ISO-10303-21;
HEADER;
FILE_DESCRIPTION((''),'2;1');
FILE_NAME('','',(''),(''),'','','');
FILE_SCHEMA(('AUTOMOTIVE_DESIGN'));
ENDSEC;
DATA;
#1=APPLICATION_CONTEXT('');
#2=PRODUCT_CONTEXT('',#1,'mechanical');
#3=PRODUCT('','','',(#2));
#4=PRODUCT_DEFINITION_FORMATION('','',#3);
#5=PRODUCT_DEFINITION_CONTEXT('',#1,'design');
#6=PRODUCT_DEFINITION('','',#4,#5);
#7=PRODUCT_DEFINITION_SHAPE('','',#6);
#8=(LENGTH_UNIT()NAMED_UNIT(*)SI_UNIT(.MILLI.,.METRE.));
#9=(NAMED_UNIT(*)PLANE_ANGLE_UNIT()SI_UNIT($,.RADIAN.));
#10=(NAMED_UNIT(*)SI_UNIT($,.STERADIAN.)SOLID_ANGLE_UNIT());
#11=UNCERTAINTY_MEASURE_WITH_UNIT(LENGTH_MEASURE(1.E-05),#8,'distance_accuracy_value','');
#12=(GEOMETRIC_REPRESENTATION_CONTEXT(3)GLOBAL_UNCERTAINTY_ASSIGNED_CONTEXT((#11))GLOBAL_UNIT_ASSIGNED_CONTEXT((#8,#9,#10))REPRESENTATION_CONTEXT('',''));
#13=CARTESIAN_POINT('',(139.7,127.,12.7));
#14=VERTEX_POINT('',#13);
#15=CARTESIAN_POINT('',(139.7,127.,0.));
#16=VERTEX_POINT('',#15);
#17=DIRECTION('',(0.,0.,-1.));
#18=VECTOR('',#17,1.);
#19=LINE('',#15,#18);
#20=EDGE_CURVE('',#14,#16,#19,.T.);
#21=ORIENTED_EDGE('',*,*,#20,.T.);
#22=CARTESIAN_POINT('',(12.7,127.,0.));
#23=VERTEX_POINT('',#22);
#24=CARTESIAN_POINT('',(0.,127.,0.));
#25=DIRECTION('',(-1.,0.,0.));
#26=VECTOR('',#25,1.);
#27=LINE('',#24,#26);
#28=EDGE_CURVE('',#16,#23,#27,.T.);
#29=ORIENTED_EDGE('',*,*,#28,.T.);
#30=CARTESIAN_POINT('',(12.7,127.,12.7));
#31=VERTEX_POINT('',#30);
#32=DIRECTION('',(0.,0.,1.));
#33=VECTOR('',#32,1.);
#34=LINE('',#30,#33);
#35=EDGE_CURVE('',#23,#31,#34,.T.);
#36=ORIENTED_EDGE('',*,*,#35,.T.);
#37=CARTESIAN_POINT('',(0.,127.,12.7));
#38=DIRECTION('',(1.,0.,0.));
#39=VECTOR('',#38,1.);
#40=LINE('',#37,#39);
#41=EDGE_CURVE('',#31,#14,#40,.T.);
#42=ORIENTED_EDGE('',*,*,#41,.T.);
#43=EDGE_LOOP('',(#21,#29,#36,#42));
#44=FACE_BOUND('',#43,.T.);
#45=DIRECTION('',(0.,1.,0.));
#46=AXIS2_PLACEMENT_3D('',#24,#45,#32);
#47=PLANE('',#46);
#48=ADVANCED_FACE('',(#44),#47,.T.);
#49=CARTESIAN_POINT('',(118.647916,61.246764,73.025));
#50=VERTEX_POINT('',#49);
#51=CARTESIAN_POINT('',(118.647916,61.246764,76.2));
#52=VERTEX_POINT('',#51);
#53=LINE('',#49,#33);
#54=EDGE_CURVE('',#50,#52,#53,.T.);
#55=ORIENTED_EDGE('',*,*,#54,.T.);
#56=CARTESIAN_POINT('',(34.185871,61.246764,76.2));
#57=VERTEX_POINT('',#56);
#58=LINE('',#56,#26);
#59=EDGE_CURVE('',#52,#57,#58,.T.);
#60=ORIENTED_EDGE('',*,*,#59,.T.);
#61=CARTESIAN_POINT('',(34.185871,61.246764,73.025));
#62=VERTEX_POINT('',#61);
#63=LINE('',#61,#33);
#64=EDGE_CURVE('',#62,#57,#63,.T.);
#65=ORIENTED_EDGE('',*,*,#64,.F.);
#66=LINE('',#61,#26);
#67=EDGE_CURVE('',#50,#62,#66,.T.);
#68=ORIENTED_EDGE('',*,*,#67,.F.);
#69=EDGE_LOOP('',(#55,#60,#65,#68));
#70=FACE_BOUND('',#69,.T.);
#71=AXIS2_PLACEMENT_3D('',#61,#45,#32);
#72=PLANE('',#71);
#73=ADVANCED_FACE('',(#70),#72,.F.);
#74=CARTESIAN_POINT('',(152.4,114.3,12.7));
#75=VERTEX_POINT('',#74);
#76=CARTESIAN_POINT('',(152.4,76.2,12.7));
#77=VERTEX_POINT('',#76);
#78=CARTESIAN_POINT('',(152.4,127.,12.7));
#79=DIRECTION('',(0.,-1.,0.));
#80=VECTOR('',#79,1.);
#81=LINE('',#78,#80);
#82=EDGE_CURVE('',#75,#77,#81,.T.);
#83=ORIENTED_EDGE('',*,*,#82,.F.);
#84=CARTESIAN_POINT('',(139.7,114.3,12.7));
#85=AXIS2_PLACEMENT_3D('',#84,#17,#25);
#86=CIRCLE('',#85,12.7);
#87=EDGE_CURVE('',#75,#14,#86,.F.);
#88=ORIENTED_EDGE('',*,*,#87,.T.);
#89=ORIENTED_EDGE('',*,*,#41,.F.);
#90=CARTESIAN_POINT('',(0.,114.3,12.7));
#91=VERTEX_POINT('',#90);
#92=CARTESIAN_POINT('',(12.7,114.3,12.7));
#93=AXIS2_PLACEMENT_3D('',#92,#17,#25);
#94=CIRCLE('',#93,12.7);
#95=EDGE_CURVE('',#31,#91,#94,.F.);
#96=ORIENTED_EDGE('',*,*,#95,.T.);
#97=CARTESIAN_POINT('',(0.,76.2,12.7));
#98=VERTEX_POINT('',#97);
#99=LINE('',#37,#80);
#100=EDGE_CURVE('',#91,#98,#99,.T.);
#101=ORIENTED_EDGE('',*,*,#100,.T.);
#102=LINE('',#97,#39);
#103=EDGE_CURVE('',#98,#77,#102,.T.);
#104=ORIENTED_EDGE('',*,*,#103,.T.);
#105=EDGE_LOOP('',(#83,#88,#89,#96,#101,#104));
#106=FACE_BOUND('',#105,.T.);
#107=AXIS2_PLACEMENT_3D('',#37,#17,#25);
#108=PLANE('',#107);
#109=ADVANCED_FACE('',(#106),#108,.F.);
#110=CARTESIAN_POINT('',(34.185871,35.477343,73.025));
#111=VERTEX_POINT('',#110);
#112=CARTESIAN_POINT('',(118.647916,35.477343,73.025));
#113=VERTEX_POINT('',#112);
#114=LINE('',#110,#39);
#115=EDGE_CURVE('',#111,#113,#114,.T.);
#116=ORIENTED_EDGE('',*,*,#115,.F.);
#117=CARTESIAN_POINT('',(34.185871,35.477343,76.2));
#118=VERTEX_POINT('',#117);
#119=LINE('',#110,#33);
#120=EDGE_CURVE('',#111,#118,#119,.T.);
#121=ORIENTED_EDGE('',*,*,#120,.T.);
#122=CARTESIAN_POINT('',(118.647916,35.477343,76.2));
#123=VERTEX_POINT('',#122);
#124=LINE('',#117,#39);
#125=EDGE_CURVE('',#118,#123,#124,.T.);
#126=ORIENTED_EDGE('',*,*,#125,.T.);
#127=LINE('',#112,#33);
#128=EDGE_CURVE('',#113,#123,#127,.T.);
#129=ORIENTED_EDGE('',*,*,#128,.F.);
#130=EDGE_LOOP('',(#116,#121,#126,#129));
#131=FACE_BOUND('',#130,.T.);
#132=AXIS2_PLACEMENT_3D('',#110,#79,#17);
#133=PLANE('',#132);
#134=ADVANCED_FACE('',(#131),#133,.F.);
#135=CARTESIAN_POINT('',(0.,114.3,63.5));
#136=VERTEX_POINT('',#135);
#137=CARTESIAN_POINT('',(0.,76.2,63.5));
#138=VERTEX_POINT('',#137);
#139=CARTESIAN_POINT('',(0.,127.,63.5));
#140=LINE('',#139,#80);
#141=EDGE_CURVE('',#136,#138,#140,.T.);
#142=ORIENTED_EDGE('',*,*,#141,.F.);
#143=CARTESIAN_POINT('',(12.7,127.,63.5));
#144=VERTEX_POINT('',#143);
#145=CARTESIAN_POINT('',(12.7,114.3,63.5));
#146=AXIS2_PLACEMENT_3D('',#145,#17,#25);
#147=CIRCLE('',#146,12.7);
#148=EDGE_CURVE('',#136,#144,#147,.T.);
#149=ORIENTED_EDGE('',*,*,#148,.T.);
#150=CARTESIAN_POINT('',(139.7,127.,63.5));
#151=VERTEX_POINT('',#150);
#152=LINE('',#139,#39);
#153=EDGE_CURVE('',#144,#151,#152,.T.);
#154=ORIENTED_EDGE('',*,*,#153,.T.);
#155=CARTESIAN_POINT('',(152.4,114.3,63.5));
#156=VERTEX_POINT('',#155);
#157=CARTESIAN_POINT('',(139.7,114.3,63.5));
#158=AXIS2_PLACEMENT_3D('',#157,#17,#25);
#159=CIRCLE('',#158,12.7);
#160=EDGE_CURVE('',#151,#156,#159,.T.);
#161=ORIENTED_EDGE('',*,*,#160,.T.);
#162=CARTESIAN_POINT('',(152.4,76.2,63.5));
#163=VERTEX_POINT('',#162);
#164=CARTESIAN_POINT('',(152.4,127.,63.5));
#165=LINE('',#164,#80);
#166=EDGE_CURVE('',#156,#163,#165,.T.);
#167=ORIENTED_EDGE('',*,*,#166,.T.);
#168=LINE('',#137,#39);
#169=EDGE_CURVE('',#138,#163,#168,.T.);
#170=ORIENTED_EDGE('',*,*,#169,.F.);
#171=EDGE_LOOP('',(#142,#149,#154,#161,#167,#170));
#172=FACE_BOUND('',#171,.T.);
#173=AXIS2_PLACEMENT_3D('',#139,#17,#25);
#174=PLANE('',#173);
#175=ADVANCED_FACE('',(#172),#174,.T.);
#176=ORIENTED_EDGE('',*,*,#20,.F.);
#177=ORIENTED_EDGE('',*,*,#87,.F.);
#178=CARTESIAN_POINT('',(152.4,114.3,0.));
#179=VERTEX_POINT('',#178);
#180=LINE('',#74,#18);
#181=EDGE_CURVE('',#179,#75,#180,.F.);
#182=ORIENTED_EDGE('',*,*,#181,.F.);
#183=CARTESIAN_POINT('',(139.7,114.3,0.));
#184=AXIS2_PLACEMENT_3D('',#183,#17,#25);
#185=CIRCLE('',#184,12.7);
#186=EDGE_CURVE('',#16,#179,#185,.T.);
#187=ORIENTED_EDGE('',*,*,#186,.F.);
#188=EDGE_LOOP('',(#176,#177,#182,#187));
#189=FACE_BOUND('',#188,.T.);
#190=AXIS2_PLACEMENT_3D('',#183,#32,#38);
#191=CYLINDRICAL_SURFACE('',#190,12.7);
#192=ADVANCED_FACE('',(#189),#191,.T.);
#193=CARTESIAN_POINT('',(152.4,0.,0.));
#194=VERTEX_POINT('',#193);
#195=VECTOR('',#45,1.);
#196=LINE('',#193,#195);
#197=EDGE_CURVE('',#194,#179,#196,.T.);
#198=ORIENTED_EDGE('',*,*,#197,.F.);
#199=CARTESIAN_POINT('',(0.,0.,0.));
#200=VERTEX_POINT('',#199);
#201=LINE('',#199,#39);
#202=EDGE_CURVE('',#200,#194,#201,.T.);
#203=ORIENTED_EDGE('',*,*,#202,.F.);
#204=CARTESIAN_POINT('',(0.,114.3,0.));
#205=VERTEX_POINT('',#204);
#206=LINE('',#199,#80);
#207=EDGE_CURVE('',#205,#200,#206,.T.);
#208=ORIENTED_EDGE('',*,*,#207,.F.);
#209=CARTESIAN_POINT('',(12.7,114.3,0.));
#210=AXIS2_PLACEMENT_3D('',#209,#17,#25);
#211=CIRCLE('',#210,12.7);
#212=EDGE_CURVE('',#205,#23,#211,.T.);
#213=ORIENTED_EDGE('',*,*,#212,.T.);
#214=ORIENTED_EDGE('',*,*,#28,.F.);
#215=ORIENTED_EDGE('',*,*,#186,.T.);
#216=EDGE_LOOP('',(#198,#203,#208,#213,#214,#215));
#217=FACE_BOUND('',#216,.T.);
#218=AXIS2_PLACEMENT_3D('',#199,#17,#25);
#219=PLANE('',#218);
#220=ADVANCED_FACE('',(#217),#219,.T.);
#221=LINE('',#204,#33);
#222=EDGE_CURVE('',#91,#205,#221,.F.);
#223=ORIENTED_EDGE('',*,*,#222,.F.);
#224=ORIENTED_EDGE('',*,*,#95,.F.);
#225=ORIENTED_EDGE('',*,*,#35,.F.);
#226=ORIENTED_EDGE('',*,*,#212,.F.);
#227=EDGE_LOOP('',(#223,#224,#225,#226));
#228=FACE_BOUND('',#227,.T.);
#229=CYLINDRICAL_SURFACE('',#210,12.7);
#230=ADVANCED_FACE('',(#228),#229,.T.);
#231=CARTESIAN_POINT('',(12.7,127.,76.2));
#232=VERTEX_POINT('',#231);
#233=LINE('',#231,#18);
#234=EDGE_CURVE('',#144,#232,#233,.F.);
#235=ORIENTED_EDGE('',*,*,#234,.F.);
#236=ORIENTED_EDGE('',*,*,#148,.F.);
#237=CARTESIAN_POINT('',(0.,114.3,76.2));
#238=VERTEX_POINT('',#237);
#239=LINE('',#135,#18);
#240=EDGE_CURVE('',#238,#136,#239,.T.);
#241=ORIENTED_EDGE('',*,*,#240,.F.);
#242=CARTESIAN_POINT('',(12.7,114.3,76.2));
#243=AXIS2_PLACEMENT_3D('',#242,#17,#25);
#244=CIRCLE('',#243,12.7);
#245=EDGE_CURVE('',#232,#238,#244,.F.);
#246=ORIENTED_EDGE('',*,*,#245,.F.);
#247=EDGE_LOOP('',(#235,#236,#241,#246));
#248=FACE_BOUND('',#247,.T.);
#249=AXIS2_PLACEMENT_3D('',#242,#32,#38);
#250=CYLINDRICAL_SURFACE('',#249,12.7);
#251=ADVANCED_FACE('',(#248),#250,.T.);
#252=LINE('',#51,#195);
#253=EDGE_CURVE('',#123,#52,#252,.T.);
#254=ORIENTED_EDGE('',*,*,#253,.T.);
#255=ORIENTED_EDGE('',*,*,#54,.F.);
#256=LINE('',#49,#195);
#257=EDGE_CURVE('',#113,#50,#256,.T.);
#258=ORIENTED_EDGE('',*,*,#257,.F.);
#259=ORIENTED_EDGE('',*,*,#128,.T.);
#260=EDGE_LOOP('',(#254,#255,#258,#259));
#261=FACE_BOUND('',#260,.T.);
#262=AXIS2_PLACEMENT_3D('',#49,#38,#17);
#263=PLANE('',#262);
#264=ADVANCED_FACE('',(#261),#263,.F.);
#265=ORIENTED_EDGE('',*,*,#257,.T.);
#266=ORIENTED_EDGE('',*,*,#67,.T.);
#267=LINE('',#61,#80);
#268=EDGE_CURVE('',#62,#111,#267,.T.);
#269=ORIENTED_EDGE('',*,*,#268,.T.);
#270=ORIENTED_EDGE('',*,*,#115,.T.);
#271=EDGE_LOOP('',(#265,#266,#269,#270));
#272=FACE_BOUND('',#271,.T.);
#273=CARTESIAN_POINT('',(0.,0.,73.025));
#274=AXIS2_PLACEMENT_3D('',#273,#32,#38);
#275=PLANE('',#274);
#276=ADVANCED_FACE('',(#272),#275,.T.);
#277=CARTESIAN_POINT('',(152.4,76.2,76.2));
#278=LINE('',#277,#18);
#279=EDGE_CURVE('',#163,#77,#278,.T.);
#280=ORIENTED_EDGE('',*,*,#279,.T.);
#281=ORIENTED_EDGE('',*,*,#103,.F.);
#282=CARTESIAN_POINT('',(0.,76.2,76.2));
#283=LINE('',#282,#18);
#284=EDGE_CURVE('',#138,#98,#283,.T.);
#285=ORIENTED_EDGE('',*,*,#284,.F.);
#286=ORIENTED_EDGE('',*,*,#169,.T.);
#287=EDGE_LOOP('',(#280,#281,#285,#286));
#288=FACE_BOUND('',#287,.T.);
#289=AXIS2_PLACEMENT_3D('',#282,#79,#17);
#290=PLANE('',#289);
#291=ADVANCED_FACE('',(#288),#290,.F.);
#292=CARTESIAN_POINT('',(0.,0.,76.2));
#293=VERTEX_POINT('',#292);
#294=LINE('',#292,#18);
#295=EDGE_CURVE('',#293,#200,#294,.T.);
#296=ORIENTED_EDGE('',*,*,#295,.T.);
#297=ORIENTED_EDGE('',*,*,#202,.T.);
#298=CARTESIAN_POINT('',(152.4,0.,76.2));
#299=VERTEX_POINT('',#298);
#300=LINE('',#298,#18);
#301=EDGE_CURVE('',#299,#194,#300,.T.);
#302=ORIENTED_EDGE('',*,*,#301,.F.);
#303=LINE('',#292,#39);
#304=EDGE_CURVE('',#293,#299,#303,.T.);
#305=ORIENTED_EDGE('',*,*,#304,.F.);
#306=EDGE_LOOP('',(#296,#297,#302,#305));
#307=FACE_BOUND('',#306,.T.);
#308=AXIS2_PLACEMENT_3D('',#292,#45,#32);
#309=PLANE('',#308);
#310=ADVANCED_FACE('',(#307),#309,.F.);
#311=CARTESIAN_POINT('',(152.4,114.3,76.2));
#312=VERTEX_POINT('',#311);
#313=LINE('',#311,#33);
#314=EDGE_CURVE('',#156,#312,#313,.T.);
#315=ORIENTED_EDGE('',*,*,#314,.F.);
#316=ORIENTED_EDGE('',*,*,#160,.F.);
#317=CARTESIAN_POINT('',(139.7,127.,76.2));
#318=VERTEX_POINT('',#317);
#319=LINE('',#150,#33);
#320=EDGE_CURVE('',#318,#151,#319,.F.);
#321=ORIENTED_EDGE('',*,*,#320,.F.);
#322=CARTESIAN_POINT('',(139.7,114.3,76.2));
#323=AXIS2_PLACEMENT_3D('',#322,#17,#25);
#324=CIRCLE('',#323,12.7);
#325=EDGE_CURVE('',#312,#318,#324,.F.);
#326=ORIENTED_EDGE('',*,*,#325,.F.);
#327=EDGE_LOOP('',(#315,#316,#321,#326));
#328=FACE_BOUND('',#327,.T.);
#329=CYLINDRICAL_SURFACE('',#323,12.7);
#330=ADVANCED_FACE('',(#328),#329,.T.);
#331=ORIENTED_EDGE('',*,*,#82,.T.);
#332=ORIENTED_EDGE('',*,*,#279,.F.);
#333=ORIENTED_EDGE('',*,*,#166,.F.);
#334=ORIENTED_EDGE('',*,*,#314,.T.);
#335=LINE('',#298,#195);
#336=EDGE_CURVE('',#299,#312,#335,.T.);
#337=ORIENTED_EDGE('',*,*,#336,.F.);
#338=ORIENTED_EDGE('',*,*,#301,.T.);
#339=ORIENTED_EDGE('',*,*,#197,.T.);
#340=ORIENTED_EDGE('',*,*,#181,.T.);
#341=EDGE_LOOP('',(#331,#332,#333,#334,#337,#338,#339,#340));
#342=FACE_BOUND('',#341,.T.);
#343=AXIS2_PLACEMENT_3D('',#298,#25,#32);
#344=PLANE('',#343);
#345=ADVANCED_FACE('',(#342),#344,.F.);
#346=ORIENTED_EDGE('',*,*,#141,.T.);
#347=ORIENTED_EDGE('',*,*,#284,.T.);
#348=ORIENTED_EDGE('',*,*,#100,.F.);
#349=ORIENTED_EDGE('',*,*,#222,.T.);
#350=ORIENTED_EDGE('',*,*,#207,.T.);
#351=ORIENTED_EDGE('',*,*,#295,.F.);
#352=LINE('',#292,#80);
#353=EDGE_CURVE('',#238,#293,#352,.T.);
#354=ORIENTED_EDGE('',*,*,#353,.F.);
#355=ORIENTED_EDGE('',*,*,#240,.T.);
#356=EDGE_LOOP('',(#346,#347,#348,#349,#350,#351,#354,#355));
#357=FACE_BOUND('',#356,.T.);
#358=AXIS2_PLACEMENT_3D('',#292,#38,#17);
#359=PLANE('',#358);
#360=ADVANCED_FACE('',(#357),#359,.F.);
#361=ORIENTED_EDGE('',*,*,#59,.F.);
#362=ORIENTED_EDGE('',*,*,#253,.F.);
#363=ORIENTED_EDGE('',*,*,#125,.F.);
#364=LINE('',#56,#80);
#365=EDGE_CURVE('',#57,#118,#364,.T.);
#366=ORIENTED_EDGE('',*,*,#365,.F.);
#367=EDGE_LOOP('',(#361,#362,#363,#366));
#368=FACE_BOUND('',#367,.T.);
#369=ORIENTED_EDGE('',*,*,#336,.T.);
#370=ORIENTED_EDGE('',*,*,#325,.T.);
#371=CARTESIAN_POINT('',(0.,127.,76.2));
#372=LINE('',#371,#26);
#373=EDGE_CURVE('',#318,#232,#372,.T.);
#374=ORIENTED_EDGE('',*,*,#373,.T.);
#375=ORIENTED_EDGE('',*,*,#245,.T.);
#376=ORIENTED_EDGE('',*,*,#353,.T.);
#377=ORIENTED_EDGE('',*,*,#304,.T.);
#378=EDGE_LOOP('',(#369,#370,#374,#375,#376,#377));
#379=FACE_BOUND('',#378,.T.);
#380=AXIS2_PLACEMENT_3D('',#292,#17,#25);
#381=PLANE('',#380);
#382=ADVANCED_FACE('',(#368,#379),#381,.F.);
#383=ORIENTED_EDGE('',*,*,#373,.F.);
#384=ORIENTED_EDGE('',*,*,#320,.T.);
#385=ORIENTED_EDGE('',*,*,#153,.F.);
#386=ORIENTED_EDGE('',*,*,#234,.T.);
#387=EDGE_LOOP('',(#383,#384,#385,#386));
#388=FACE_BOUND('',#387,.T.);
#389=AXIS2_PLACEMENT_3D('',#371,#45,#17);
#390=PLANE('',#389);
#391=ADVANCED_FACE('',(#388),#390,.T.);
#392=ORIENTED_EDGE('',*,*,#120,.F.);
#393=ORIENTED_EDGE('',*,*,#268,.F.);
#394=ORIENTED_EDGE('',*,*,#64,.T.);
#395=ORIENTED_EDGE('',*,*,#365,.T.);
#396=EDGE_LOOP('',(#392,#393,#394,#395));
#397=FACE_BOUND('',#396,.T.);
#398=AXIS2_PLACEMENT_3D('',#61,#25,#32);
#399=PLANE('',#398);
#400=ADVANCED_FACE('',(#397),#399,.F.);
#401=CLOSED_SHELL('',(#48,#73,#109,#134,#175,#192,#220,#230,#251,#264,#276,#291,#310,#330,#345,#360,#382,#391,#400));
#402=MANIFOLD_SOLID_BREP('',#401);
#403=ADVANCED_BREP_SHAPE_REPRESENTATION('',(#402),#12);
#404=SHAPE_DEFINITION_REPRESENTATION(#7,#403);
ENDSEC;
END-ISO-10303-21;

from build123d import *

# Parameters (mm, degrees)
SKETCH1_W           = 152.4
SKETCH1_H           = 76.2
BOSS_EXTRUDE1_DEPTH = 76.2
SKETCH2_W           = 152.4
SKETCH2_H           = 12.7
BOSS_EXTRUDE2_DEPTH = 50.8
FILLET1_R           = 12.7
SKETCH3_W           = 84.462045133
SKETCH3_H           = 25.769420555
CUT_EXTRUDE1_DEPTH  = 3.175


with BuildPart() as part:
    # Sketch1 → Boss-Extrude1 (new body)
    with BuildSketch(Plane.XY):
        with Locations((76.2, 38.1)):
            Rectangle(SKETCH1_W, SKETCH1_H)
    extrude(amount=BOSS_EXTRUDE1_DEPTH)

    # Sketch2 → Boss-Extrude2 (add)
    with BuildSketch(Plane(origin=(0, 76.2, 0), x_dir=(1, 0, 0), z_dir=(0, 1, 0))):
        with Locations((76.2, -6.35)):
            Rectangle(SKETCH2_W, SKETCH2_H)
    boss_extrude2 = extrude(amount=BOSS_EXTRUDE2_DEPTH)

    # Mirror1: Boss-Extrude2 across plane
    add(boss_extrude2.mirror(Plane.XY.offset(38.1)))

    # Fillet1
    fillet1_edges = [part.edges().sort_by_distance(p)[0] for p in [
        (0, 127, 6.35),
        (152.4, 127, 6.35),
        (0, 127, 69.85),
        (152.4, 127, 69.85),
    ]]
    fillet(fillet1_edges, radius=FILLET1_R)

    # Sketch3 → Cut-Extrude1 (cut)
    with BuildSketch(Plane.XY.offset(76.2)):
        with Locations((76.416893198, 48.36205359)):
            Rectangle(SKETCH3_W, SKETCH3_H)
    extrude(amount=-CUT_EXTRUDE1_DEPTH, mode=Mode.SUBTRACT)


solid = part.part
